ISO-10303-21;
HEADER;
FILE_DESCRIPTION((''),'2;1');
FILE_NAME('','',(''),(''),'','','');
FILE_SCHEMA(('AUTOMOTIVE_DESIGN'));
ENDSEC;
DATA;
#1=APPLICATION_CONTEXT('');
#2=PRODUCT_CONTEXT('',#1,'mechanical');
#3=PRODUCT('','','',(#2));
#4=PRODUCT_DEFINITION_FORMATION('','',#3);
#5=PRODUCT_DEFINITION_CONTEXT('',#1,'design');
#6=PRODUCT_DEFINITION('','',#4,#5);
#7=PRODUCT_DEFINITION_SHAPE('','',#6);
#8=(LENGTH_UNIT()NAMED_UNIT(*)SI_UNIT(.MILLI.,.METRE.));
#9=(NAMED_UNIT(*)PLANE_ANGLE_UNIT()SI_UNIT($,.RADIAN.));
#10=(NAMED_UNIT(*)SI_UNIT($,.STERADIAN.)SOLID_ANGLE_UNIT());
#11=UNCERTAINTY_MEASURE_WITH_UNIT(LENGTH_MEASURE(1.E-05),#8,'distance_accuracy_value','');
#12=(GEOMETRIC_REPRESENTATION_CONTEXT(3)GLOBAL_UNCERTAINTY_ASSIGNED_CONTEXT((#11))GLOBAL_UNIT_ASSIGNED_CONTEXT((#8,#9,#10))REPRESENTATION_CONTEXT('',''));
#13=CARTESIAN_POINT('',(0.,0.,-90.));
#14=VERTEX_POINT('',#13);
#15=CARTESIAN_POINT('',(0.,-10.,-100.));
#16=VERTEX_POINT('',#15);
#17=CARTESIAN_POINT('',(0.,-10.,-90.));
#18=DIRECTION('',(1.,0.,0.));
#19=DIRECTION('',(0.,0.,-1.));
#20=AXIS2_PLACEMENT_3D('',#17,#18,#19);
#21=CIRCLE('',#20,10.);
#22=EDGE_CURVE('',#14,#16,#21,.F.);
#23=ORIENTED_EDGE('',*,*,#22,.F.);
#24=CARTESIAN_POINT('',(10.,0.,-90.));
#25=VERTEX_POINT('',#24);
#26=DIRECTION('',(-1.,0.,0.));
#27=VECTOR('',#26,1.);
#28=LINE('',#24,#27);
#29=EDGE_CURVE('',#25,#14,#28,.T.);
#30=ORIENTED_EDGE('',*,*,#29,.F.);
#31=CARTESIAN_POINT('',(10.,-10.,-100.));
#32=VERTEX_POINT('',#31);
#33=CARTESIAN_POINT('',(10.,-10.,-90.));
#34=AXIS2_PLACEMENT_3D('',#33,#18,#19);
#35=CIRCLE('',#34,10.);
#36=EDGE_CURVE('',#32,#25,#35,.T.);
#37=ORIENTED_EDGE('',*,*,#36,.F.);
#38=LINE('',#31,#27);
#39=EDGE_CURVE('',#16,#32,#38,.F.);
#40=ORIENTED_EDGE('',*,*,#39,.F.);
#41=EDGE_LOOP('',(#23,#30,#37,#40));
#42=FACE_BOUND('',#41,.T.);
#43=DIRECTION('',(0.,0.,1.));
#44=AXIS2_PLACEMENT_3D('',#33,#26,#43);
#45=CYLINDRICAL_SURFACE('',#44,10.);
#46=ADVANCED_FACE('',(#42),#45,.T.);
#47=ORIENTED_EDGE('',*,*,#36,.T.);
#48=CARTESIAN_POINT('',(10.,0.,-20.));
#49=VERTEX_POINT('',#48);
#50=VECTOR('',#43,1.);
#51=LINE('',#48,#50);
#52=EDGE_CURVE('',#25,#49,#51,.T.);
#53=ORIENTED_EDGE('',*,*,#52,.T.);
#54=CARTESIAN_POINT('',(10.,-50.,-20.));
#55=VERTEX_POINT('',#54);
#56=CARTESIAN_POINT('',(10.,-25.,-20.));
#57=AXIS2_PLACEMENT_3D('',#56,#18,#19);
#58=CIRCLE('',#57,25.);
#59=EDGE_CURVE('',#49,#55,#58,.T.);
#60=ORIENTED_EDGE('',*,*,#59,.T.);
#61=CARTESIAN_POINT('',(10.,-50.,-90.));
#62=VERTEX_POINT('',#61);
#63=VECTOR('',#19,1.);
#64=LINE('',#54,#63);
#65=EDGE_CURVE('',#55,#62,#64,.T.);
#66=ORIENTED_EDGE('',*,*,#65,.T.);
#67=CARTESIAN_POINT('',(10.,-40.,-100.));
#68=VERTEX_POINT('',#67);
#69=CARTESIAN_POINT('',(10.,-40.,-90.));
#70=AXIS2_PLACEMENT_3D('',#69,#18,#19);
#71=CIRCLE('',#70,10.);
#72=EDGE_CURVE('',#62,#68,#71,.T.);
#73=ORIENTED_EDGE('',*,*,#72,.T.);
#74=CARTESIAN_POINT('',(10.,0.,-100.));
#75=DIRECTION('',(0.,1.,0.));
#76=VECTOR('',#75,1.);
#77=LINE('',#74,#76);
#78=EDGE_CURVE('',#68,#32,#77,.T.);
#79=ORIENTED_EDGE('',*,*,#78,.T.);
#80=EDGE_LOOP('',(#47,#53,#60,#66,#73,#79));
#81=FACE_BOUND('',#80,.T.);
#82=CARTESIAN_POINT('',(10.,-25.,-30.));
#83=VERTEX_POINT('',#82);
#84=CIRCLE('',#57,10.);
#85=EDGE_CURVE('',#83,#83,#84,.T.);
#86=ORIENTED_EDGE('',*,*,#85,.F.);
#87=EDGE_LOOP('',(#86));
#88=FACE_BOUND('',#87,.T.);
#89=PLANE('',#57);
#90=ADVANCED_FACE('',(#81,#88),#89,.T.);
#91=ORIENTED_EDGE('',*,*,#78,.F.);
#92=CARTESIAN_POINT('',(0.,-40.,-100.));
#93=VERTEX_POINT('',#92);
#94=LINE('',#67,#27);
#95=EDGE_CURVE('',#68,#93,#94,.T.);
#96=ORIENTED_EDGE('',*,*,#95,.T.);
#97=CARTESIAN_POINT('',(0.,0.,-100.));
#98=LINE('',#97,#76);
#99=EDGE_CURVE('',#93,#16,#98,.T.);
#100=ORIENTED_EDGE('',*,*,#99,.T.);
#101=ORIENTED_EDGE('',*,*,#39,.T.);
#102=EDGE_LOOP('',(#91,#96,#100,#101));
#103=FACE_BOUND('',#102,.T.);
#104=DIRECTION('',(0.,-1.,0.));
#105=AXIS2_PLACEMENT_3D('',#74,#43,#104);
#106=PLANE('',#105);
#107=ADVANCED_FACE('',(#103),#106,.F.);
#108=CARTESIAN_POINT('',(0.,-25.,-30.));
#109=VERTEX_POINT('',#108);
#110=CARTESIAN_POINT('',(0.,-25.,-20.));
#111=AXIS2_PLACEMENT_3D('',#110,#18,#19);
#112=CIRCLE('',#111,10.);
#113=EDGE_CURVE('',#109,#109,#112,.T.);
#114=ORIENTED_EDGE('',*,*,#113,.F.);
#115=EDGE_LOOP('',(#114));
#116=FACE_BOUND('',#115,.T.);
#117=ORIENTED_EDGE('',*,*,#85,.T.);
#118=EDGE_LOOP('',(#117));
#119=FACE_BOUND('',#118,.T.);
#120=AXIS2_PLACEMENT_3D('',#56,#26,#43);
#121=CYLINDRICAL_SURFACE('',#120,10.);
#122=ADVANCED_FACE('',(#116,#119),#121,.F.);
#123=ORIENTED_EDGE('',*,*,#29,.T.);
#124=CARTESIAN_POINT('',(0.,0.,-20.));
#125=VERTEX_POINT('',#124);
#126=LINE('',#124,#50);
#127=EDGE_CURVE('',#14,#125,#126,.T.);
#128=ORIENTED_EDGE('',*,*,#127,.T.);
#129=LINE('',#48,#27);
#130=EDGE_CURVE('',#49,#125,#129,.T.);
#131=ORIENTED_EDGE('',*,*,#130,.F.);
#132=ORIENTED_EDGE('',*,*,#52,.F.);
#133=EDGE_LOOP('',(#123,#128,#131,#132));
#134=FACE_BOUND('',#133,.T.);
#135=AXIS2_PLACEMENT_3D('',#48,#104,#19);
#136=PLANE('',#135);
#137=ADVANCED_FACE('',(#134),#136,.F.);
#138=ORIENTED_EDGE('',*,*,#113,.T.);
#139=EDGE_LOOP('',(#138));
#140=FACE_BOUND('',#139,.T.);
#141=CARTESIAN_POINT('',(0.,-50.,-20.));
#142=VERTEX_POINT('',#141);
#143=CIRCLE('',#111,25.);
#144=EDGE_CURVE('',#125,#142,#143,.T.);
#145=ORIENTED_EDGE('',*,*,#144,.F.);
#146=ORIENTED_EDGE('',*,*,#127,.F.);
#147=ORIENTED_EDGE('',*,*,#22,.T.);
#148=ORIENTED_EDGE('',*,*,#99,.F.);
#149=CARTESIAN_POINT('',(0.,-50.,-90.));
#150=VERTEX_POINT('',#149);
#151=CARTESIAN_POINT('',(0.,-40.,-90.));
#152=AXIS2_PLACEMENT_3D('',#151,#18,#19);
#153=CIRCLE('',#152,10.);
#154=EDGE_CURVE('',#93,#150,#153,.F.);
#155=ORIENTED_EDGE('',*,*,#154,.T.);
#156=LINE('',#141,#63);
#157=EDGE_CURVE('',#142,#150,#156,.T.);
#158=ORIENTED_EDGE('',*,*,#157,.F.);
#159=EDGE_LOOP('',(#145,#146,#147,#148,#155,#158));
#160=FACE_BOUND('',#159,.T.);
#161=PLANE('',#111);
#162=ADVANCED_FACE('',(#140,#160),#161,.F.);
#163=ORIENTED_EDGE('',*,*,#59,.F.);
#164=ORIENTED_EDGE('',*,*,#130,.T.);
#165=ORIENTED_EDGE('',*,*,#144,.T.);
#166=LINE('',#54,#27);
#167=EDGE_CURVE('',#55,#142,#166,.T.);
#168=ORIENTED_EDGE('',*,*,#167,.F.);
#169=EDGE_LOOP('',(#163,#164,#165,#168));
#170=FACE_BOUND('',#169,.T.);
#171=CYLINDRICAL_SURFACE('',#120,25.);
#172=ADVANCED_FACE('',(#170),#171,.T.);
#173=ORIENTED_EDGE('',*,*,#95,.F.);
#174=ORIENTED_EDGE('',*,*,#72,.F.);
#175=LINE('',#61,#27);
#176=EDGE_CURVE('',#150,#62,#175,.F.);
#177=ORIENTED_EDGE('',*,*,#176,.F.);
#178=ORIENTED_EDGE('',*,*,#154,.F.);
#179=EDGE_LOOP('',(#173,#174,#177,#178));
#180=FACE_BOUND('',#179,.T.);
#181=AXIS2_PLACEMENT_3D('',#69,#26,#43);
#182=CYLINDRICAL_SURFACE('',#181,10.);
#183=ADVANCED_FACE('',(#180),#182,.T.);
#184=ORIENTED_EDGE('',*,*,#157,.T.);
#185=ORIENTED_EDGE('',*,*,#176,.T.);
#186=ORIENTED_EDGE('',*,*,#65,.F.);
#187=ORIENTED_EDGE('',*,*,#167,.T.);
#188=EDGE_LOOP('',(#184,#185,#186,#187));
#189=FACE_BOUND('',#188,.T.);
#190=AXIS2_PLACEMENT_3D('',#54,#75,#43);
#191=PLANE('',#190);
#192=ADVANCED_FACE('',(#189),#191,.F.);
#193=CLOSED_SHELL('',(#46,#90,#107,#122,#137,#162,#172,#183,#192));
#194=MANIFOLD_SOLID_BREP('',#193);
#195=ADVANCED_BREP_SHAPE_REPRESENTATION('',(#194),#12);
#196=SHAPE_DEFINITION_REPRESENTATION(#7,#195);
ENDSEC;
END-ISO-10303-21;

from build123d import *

# Parameters (mm, degrees)
SKETCH1_R           = 10
BOSS_EXTRUDE1_DEPTH = 10
FILLET1_R           = 10


with BuildPart() as part:
    # Sketch1 → Boss-Extrude1 (new body)
    with BuildSketch(Plane(origin=(0, 0, 0), x_dir=(0, 0, -1), z_dir=(1, 0, 0))):
        with BuildLine():
            Line((20, 0), (100, 0))
            Line((100, 0), (100, -50))
            Line((100, -50), (20, -50))
            ThreePointArc((20, -50), (-5, -25), (20, 0))
        make_face()
        with Locations((20, -25)):
            Circle(SKETCH1_R, mode=Mode.SUBTRACT)
    extrude(amount=BOSS_EXTRUDE1_DEPTH)

    # Fillet1
    fillet1_edges = [part.edges().sort_by_distance(p)[0] for p in [
        (5, -50, -100),
        (5, 0, -100),
    ]]
    fillet(fillet1_edges, radius=FILLET1_R)


solid = part.part
